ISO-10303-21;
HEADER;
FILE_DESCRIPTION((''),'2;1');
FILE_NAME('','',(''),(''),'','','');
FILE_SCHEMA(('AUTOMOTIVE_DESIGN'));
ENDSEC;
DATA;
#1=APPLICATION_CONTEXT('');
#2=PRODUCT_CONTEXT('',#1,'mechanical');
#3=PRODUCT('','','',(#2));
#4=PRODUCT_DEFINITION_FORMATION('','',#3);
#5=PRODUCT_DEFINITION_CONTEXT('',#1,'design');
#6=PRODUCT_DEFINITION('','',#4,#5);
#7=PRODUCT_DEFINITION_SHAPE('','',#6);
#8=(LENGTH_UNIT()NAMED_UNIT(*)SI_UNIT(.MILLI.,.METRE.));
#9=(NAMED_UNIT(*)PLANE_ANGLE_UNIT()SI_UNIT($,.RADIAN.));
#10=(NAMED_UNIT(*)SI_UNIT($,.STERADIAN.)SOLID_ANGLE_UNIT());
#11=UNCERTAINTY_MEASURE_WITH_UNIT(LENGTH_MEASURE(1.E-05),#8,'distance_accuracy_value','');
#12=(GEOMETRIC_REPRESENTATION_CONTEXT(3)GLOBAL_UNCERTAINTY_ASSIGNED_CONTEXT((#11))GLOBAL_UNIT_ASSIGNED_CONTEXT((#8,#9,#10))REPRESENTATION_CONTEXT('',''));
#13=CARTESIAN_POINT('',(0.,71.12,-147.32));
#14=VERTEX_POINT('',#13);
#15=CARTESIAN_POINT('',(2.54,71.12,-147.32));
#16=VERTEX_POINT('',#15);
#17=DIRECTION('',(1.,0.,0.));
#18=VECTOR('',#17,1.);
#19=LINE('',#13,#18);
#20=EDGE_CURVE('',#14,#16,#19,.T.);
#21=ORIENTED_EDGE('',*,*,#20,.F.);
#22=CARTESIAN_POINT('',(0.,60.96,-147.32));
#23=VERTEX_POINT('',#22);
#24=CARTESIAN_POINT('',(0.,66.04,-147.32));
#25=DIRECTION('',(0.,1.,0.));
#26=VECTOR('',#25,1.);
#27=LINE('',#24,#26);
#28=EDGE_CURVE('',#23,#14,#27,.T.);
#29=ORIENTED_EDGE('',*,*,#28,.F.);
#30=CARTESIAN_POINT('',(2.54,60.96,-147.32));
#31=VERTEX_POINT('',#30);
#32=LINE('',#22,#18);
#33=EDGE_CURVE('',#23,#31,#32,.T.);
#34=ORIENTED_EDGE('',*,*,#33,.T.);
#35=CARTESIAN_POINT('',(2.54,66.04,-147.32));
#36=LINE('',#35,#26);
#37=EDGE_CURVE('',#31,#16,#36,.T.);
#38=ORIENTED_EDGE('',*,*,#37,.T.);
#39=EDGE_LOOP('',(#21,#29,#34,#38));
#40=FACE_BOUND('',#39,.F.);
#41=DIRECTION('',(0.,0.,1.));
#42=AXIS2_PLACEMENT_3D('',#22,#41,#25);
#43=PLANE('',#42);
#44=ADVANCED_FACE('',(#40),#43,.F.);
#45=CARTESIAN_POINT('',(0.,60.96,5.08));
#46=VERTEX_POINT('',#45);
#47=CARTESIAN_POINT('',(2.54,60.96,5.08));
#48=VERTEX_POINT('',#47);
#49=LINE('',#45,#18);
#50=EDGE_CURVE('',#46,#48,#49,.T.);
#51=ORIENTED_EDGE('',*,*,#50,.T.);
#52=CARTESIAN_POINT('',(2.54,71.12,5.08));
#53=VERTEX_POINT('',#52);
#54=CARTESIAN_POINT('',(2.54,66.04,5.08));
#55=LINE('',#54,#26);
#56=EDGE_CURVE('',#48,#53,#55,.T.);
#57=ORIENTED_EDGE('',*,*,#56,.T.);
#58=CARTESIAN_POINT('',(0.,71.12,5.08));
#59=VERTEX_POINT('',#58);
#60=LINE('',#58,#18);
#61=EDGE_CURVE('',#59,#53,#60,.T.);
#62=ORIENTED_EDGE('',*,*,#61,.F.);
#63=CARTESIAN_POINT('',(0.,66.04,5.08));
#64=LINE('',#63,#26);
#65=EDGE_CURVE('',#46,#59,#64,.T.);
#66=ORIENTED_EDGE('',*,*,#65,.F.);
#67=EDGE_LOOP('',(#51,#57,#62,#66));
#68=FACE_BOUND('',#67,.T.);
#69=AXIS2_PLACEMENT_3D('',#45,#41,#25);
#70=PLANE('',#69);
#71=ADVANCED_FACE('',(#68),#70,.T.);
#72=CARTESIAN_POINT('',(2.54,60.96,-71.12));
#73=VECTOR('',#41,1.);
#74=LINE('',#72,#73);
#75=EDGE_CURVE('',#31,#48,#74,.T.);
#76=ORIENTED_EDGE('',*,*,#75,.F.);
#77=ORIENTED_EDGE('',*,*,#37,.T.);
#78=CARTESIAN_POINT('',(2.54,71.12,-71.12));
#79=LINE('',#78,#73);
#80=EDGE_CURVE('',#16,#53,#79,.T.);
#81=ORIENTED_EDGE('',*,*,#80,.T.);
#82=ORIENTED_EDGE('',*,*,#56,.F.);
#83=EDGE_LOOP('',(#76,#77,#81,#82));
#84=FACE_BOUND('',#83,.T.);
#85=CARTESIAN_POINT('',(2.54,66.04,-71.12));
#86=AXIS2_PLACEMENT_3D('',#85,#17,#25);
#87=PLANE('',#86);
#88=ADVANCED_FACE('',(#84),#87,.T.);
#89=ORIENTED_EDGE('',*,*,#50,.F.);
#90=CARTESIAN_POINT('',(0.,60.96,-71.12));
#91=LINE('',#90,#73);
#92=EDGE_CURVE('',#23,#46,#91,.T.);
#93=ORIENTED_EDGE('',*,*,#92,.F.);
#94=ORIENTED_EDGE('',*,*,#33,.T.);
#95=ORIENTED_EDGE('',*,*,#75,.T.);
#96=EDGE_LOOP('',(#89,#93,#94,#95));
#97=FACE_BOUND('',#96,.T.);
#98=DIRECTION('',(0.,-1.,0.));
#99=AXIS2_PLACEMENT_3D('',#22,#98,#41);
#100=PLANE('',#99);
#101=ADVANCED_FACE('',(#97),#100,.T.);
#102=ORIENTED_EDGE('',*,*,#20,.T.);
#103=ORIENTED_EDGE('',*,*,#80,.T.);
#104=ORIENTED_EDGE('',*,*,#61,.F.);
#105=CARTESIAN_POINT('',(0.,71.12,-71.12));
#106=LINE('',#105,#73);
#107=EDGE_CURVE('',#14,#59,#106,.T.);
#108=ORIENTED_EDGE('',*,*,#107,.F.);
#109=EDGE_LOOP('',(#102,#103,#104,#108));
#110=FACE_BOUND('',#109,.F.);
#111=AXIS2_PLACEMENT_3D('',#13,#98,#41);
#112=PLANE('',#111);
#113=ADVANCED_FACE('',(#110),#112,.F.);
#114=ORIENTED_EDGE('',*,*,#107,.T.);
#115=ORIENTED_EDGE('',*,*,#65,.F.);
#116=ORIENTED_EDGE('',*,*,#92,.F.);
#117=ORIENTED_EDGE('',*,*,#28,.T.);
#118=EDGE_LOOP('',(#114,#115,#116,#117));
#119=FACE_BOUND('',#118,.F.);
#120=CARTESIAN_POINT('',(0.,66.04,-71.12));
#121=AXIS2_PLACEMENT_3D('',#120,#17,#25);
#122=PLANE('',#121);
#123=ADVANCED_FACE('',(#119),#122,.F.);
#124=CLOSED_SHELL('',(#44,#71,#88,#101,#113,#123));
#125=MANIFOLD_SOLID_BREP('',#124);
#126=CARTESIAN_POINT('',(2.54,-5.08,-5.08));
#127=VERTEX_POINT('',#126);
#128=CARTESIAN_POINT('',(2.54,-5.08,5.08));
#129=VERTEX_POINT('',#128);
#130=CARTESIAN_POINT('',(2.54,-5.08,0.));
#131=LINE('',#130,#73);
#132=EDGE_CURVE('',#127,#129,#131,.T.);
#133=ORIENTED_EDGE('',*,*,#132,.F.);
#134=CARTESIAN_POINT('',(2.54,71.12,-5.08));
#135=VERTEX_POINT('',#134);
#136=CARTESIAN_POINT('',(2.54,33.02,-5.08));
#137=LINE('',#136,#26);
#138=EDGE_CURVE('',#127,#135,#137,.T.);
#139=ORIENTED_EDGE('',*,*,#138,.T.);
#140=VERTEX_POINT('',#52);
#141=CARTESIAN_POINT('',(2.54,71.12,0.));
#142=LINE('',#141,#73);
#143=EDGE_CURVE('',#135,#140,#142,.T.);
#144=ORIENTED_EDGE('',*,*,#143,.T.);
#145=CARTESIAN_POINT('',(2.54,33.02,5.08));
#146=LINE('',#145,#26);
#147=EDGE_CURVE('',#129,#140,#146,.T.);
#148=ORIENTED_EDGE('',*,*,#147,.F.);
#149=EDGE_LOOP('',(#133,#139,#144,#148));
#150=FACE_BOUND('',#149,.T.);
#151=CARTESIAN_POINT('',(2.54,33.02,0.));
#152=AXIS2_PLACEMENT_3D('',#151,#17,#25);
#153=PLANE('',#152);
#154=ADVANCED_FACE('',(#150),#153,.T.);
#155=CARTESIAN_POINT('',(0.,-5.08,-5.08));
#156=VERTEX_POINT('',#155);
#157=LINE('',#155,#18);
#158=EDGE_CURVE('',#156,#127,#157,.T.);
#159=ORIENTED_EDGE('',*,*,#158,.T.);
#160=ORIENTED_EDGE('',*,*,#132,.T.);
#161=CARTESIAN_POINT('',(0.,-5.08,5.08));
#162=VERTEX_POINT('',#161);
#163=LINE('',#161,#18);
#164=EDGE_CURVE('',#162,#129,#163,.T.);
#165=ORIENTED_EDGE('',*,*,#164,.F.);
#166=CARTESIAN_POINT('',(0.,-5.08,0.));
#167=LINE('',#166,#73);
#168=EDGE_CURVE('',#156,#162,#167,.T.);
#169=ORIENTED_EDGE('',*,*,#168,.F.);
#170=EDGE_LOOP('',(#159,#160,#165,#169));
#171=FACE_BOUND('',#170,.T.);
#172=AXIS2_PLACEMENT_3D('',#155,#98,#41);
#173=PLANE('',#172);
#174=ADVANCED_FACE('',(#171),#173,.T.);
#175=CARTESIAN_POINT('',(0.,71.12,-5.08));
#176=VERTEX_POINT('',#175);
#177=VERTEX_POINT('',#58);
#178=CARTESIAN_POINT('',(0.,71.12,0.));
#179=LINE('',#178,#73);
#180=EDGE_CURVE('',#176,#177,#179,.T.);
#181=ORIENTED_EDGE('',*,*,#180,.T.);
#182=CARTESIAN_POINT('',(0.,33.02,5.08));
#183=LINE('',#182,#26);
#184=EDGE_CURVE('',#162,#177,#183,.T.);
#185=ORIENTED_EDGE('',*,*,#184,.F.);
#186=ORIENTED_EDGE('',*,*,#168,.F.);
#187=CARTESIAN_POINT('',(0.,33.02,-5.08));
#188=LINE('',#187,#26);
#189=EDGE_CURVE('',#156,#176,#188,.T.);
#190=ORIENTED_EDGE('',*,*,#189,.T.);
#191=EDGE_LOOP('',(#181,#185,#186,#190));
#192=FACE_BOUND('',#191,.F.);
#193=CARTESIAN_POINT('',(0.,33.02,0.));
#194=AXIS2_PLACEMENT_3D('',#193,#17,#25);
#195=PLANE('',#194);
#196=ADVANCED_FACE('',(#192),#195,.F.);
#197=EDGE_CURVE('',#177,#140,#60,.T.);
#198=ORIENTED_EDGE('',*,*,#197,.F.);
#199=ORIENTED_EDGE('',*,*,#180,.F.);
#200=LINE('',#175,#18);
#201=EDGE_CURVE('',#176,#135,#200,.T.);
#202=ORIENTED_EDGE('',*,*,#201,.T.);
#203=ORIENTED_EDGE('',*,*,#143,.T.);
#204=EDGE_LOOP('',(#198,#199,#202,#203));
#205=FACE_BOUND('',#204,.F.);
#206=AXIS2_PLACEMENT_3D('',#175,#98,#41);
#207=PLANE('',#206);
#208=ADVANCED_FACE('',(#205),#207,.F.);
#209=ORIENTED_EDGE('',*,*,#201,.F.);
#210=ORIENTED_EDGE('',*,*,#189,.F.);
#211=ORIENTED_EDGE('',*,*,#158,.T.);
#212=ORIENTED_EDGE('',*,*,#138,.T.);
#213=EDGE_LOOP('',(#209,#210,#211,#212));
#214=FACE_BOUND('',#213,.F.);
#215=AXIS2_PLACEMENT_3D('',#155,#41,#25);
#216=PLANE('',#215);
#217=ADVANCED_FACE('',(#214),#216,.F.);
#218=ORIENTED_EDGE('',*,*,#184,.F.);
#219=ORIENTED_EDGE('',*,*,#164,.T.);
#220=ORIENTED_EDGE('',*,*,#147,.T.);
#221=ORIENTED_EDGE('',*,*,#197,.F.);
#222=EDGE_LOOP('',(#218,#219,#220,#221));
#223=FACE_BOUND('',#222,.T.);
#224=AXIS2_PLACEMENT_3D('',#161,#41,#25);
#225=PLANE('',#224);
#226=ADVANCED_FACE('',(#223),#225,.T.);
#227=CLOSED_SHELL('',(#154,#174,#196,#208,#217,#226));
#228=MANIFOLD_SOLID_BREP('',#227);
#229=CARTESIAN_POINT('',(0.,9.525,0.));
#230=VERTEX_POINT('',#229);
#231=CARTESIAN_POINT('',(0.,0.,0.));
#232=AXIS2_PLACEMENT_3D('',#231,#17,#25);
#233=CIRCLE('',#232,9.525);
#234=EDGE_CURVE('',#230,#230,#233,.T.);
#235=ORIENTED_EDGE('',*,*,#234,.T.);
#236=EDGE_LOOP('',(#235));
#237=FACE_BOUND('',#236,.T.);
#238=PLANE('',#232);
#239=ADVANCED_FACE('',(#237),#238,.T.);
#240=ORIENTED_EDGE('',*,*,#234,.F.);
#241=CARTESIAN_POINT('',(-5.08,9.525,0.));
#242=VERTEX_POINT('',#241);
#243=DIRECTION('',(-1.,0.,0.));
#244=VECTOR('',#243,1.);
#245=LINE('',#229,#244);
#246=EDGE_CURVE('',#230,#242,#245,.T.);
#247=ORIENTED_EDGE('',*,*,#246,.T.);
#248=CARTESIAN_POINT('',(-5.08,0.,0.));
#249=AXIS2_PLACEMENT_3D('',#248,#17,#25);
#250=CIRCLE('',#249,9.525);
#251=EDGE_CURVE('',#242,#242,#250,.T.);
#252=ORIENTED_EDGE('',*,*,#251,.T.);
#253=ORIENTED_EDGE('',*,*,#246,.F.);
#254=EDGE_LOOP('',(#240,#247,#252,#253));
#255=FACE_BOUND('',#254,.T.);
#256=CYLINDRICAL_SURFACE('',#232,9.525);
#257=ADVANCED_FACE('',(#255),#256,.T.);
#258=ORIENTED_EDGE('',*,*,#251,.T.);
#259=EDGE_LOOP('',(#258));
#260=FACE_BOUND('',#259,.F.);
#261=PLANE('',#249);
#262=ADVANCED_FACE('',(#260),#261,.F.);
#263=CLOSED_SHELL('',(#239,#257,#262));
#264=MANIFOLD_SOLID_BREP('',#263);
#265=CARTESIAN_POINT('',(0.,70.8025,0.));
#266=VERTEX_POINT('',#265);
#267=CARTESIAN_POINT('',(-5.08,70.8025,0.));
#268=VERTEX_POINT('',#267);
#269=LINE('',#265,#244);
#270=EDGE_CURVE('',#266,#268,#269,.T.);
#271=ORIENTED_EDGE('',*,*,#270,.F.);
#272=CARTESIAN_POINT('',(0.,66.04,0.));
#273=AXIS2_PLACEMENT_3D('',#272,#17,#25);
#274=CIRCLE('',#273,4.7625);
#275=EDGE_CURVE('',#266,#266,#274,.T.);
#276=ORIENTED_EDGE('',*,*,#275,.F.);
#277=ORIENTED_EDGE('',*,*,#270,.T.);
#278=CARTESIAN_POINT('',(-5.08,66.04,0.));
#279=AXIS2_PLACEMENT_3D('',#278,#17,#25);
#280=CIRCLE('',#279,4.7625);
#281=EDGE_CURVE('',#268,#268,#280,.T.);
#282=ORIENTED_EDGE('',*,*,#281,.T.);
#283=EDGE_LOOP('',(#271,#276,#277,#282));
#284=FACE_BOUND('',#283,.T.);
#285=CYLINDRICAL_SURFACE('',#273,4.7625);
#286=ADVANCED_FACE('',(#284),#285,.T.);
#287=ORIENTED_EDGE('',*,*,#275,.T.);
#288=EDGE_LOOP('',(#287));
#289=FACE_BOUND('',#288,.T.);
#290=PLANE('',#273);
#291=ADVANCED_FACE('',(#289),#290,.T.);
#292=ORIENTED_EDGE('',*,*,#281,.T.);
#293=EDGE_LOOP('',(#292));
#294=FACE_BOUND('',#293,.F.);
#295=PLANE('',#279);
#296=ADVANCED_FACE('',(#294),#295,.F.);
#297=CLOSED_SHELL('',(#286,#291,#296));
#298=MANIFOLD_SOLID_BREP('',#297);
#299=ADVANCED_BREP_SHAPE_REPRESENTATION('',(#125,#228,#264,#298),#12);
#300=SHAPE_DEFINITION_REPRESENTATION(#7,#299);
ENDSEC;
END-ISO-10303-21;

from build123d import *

# Parameters (mm, degrees)
F0_W     = 76.2
F0_H     = 10.16
F1_DEPTH = 2.54
F2_R     = 9.525
F2_R_2   = 4.7625
F3_DEPTH = 5.08
F4_W     = 10.16
F4_H     = 152.4
F5_DEPTH = 2.54


with BuildPart() as f1:
    # F0 (on Right) → F1 (new body)
    with BuildSketch(Plane.YZ):
        with Locations((33.02, 0)):
            Rectangle(F0_W, F0_H)
    extrude(amount=F1_DEPTH)


with BuildPart() as f3:
    # F2 (on Right) → F3 (new body)
    with BuildSketch(Plane.YZ):
        Circle(F2_R)
        with Locations((66.04, 0)):
            Circle(F2_R_2)
    extrude(amount=-F3_DEPTH)


with BuildPart() as f5:
    # F4 (on Right) → F5 (new body)
    with BuildSketch(Plane.YZ):
        with Locations((66.04, -71.12)):
            Rectangle(F4_W, F4_H)
    extrude(amount=F5_DEPTH)


solid = Compound([f1.part, f3.part, f5.part])
